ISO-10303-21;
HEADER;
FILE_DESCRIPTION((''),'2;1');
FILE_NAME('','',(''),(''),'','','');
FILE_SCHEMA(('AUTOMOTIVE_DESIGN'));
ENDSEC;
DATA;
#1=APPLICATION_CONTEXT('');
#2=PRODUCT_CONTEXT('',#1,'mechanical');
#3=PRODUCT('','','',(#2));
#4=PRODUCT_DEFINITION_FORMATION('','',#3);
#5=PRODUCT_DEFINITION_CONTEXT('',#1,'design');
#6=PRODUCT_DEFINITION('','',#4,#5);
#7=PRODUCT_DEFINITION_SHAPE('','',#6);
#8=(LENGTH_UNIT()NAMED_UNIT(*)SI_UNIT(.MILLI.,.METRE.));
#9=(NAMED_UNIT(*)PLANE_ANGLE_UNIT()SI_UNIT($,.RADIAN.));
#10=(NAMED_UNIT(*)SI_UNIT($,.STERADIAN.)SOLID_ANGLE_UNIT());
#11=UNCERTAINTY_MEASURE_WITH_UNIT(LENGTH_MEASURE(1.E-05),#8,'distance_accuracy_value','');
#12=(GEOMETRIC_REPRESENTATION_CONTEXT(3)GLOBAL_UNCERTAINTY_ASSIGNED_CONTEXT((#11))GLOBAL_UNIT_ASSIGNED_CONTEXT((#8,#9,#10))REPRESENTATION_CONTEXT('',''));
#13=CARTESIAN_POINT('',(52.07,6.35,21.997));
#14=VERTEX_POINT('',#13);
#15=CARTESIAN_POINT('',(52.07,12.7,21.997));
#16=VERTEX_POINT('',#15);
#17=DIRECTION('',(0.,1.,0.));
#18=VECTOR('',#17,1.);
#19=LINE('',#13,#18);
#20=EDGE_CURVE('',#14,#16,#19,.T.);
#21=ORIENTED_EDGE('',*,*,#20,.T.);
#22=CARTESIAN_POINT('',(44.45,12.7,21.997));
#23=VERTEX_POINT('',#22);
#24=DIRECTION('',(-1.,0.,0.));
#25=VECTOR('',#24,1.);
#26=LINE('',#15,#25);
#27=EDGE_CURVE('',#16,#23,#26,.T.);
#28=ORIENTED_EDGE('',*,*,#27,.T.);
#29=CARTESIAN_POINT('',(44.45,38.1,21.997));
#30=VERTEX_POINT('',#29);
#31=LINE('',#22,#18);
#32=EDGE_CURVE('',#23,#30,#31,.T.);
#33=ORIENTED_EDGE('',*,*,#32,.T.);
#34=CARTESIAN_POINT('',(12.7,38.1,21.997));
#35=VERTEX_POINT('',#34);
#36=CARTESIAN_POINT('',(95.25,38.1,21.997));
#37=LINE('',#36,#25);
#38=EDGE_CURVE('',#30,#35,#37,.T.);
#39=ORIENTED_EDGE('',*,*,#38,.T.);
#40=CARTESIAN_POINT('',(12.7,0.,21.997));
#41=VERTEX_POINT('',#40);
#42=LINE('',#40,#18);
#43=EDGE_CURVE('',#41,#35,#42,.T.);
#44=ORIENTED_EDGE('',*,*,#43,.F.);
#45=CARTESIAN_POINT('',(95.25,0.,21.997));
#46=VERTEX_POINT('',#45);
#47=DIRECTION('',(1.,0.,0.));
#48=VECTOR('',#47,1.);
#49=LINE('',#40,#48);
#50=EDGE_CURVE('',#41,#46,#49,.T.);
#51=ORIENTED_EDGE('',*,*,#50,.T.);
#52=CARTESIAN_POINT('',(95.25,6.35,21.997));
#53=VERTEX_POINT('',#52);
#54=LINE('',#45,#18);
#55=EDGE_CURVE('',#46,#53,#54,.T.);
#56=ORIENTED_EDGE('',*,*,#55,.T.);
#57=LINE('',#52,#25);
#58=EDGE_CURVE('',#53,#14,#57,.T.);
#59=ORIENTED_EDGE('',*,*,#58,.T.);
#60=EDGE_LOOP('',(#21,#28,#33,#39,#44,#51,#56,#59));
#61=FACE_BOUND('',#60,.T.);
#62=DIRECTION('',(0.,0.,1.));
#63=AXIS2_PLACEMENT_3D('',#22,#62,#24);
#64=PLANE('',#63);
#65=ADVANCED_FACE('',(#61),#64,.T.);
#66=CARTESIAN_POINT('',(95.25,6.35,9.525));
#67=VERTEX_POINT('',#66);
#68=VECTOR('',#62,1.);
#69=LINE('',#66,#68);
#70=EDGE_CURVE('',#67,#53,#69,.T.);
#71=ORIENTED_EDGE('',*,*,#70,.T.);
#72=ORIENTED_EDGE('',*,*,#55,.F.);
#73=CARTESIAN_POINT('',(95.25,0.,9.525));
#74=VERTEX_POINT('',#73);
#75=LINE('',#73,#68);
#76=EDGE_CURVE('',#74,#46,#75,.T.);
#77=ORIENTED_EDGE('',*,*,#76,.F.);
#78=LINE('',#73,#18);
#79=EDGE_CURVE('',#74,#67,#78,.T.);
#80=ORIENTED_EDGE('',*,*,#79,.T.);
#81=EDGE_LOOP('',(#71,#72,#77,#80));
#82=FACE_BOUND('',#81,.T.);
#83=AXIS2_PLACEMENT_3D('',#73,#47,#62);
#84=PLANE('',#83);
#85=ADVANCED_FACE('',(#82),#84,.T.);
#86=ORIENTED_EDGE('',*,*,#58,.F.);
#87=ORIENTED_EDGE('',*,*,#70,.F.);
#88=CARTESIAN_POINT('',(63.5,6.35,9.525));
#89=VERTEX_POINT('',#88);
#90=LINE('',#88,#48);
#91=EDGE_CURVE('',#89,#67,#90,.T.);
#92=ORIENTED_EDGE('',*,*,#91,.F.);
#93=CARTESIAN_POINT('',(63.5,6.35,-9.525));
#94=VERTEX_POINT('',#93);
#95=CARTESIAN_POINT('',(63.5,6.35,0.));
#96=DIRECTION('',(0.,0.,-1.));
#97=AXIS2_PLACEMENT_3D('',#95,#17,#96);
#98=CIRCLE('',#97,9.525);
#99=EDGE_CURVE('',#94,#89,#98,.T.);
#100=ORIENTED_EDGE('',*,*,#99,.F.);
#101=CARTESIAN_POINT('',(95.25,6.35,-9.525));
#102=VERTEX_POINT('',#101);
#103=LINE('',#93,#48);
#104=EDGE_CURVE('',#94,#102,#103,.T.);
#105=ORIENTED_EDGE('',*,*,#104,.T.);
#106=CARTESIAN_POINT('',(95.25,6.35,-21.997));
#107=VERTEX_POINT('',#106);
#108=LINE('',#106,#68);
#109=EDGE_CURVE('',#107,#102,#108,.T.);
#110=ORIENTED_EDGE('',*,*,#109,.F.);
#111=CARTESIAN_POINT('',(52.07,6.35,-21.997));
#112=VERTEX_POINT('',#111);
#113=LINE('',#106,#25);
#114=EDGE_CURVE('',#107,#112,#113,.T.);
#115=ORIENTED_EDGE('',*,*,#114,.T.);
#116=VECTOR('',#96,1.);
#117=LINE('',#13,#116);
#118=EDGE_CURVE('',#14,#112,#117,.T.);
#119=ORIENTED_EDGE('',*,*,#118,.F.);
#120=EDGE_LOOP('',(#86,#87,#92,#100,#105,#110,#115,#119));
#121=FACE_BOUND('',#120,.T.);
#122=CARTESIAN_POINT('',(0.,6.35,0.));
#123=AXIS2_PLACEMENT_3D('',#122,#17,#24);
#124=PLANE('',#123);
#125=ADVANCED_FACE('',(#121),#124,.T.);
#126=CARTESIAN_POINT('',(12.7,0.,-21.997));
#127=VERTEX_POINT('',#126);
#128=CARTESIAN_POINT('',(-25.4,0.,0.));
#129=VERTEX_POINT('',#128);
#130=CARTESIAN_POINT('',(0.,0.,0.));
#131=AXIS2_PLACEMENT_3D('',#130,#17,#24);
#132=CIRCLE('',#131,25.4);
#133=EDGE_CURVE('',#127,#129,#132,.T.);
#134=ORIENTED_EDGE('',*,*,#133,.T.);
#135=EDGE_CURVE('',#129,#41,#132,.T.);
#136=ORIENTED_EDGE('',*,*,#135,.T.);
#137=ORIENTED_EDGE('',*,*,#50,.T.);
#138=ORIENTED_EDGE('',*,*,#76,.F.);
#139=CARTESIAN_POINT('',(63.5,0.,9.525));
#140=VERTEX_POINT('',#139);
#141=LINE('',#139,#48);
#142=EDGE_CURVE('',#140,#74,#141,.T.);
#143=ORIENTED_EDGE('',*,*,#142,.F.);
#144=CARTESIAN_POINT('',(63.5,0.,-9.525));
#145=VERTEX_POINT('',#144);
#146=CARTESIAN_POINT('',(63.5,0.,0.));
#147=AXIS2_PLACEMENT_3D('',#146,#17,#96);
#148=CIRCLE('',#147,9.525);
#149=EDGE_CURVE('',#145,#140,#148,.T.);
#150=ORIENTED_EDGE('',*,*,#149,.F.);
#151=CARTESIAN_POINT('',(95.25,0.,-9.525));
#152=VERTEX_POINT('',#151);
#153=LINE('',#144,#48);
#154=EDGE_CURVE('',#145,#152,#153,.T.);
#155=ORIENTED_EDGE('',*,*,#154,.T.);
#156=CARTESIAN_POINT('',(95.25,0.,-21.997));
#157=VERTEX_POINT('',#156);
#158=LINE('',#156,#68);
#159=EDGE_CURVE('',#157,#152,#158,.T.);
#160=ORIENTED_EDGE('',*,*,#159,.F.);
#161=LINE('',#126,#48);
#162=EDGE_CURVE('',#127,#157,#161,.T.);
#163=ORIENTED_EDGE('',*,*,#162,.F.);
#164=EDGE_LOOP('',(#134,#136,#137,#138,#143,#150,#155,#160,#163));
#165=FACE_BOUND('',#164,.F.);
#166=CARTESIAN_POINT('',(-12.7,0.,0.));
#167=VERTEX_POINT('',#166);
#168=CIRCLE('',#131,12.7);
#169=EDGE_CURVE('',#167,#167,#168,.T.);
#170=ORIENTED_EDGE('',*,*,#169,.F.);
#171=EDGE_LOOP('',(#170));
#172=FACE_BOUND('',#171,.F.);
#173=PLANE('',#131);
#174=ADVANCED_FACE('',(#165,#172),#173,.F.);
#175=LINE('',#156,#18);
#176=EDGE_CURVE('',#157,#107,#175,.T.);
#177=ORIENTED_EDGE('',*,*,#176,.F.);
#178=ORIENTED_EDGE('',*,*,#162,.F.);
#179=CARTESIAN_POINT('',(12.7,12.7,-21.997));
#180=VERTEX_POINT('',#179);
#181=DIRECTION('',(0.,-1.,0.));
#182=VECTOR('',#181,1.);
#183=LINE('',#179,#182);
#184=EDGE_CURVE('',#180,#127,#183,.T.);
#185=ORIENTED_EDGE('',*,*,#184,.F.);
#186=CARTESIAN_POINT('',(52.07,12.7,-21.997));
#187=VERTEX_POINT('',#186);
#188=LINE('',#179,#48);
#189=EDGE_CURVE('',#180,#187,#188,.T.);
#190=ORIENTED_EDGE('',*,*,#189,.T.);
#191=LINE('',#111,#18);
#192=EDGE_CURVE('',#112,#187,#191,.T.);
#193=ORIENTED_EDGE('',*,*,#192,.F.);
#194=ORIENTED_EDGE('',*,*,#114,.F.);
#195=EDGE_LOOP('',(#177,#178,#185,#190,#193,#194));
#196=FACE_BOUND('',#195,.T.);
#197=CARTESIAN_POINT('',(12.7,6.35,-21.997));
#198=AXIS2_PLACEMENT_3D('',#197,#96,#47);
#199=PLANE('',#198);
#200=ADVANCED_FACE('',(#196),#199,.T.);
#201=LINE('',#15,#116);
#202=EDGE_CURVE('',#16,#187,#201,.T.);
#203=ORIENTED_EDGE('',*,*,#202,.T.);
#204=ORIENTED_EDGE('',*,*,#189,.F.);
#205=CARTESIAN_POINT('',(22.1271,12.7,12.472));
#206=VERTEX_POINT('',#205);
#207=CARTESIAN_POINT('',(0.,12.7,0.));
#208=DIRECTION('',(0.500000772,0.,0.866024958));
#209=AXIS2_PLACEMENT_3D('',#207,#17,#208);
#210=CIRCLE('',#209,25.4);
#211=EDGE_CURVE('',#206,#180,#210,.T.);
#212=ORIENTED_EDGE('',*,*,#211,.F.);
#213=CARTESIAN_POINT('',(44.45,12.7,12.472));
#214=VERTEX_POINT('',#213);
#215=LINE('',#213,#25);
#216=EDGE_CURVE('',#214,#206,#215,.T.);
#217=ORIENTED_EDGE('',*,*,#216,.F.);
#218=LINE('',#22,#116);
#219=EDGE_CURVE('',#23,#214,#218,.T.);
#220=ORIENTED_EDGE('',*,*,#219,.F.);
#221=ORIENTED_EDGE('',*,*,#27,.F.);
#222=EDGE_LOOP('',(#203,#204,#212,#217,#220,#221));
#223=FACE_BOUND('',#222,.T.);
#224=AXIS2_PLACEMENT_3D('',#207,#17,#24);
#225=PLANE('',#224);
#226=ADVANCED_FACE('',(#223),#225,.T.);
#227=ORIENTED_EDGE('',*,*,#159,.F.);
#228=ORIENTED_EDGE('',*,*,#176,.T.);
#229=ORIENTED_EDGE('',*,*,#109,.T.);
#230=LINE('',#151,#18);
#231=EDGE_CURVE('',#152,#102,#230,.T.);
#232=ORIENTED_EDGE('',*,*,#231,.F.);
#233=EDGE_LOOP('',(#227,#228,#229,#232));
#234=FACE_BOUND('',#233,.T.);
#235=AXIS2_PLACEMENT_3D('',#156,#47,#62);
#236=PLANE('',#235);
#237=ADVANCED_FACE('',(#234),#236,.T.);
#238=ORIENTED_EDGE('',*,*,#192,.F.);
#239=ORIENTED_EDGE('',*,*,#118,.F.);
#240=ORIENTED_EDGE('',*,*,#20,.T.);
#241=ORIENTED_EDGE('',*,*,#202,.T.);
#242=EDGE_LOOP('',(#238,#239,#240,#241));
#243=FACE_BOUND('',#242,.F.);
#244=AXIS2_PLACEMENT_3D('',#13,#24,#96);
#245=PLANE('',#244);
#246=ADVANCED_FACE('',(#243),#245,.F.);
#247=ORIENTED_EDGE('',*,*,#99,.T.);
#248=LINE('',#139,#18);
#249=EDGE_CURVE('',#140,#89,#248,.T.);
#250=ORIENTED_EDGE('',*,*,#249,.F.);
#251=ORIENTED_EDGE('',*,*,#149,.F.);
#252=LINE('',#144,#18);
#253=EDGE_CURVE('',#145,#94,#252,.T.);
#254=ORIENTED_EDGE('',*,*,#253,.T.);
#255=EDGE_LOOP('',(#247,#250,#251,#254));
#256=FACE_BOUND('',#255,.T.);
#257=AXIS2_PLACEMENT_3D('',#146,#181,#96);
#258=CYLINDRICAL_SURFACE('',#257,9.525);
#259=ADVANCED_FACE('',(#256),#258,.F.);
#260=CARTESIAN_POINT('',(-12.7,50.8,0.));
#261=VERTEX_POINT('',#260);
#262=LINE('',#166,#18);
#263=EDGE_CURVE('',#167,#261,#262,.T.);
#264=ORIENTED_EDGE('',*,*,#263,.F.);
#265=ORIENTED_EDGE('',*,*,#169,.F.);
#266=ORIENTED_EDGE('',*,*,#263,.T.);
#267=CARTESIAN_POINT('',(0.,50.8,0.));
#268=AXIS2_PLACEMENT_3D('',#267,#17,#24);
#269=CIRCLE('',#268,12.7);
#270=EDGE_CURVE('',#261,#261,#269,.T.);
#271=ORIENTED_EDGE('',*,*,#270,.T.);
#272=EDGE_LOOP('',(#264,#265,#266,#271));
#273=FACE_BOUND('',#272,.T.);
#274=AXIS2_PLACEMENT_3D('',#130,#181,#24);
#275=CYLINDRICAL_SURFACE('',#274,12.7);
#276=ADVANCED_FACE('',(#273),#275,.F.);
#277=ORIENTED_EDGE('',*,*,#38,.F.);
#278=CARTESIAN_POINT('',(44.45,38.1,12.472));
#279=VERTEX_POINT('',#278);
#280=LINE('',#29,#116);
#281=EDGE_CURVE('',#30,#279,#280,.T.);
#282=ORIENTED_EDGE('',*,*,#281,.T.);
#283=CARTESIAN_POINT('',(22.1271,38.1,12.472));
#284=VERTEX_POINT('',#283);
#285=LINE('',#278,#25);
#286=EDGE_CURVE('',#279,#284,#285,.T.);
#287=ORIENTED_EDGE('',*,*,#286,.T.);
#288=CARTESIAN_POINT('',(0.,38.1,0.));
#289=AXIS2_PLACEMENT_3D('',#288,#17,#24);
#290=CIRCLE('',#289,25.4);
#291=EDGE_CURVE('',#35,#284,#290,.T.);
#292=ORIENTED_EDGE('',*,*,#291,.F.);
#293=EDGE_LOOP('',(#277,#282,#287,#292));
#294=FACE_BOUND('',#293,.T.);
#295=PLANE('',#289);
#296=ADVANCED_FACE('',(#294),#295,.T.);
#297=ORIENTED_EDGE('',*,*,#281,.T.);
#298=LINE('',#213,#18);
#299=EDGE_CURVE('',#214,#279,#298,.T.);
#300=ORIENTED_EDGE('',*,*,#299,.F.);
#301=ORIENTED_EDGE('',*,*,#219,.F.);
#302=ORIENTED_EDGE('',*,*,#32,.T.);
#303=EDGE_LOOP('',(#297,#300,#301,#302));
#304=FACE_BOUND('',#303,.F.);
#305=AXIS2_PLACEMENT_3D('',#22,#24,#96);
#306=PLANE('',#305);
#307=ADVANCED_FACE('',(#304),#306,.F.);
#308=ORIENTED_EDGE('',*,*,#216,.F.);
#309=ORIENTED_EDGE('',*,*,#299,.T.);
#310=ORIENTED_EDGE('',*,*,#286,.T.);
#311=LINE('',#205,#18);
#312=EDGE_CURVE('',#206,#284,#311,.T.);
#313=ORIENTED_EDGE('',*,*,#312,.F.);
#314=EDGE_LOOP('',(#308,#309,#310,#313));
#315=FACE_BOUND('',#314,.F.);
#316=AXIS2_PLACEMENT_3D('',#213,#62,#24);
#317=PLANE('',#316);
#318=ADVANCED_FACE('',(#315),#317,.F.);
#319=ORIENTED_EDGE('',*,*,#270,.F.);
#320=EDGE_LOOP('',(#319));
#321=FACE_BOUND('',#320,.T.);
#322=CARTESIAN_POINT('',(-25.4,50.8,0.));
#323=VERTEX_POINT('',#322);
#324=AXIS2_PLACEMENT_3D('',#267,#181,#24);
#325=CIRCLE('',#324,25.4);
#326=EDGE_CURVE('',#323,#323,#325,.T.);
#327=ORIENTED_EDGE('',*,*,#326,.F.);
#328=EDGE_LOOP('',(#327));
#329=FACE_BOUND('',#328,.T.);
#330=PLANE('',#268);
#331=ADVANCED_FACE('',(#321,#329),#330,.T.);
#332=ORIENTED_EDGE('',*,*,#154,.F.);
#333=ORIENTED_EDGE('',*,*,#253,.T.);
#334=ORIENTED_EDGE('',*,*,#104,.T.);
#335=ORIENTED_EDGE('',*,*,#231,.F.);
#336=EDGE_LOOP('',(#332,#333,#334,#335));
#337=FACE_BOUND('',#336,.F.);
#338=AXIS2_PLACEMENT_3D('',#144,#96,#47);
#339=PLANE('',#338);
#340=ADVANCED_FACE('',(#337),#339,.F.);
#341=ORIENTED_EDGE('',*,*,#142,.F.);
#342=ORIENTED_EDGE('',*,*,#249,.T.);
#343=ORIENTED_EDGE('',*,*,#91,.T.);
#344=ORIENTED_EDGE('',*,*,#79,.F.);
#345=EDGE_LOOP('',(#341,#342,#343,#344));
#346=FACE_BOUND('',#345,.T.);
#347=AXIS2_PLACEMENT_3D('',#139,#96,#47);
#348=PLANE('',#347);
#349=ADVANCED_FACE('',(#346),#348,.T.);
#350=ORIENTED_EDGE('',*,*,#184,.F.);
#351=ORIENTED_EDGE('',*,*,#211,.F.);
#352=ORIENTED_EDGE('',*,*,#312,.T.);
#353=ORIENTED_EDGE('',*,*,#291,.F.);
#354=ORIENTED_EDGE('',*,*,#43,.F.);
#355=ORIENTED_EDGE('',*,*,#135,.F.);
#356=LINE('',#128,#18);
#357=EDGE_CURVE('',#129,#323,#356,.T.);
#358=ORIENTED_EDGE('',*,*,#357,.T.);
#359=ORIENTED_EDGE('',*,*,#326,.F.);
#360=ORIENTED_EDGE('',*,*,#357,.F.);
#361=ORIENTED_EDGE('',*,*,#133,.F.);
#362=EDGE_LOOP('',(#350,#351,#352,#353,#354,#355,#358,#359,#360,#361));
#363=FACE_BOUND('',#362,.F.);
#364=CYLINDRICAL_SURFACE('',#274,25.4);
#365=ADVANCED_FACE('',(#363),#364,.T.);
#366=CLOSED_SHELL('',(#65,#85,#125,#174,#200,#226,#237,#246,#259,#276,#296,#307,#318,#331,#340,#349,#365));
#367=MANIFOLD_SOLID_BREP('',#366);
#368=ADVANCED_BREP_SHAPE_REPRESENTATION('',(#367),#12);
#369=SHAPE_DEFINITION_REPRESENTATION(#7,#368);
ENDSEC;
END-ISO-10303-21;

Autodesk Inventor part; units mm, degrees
ref_plane "YZ Plane" through (0, 0, 0) normal (1, 0, 0) x (0, 1, 0)
ref_plane "XZ Plane" through (0, 0, 0) normal (0, 1, 0) x (-1, 0, 0)
ref_plane "XY Plane" through (0, 0, 0) normal (0, 0, 1) x (1, 0, 0)
sketch "Sketch1" plane through (0, 0, 0) normal (0, 1, 0) x (-1, 0, 0)
  circle A0 centre (0, 0) radius 12.7
  circle A1 centre (0, 0) radius 25.4
  line L0 (-12.7, -21.997) -> (-95.25, -21.997)
  line L1 (-95.25, 21.997) -> (-12.7, 21.997)
  arc A2 (-63.5, -9.525) -> (-63.5, 9.525) centre (-63.5, 0) ccw
  line L2 (-63.5, 9.525) -> (-95.25, 9.525)
  line L3 (-78.5703, 0) -> (-63.5, 0) construction
  line L4 (-63.5, -9.525) -> (-95.25, -9.525)
  line L5 (-95.25, -21.997) -> (-95.25, -9.525)
  line L6 (-95.25, 9.525) -> (-95.25, 21.997)
  line L7 (-44.45, 21.997) -> (-44.45, 12.472)
  line L8 (-44.45, 12.472) -> (-22.1271, 12.472)
  line L9 (-52.07, 21.997) -> (-52.07, -21.997)
  dimension "d0" = 25.4
  dimension "d3" = 19.05
  dimension "d4" = 31.75
  dimension "d5" = 12.7
  dimension "d6" = 44.45
  dimension "d7" = 9.525
  dimension "d8" = 7.62
  dimension "d9" = 82.55
  dimension "d10" = 12.7
extrude "Extrusion3" add sketch "Sketch1" along normal blind 50.8 contours A1
extrude "Extrusion4" add sketch "Sketch1" along normal blind 6.35 contours A1 L8 L7 L1 | L0 L9 L1 L7 L8 A1 | L0 L5 L4 A2 L2 L6 L1 L9
extrude "Extrusion5" add sketch "Sketch1" along normal blind 6.35 from surface at 6.35 contours A1 L8 L7 L1 | L0 L9 L1 L7 L8 A1
extrude "Extrusion6" add sketch "Sketch1" along normal blind 25.4 from surface at 12.7 contours A1 L8 L7 L1
properties part number "Distance from Face Complete"
